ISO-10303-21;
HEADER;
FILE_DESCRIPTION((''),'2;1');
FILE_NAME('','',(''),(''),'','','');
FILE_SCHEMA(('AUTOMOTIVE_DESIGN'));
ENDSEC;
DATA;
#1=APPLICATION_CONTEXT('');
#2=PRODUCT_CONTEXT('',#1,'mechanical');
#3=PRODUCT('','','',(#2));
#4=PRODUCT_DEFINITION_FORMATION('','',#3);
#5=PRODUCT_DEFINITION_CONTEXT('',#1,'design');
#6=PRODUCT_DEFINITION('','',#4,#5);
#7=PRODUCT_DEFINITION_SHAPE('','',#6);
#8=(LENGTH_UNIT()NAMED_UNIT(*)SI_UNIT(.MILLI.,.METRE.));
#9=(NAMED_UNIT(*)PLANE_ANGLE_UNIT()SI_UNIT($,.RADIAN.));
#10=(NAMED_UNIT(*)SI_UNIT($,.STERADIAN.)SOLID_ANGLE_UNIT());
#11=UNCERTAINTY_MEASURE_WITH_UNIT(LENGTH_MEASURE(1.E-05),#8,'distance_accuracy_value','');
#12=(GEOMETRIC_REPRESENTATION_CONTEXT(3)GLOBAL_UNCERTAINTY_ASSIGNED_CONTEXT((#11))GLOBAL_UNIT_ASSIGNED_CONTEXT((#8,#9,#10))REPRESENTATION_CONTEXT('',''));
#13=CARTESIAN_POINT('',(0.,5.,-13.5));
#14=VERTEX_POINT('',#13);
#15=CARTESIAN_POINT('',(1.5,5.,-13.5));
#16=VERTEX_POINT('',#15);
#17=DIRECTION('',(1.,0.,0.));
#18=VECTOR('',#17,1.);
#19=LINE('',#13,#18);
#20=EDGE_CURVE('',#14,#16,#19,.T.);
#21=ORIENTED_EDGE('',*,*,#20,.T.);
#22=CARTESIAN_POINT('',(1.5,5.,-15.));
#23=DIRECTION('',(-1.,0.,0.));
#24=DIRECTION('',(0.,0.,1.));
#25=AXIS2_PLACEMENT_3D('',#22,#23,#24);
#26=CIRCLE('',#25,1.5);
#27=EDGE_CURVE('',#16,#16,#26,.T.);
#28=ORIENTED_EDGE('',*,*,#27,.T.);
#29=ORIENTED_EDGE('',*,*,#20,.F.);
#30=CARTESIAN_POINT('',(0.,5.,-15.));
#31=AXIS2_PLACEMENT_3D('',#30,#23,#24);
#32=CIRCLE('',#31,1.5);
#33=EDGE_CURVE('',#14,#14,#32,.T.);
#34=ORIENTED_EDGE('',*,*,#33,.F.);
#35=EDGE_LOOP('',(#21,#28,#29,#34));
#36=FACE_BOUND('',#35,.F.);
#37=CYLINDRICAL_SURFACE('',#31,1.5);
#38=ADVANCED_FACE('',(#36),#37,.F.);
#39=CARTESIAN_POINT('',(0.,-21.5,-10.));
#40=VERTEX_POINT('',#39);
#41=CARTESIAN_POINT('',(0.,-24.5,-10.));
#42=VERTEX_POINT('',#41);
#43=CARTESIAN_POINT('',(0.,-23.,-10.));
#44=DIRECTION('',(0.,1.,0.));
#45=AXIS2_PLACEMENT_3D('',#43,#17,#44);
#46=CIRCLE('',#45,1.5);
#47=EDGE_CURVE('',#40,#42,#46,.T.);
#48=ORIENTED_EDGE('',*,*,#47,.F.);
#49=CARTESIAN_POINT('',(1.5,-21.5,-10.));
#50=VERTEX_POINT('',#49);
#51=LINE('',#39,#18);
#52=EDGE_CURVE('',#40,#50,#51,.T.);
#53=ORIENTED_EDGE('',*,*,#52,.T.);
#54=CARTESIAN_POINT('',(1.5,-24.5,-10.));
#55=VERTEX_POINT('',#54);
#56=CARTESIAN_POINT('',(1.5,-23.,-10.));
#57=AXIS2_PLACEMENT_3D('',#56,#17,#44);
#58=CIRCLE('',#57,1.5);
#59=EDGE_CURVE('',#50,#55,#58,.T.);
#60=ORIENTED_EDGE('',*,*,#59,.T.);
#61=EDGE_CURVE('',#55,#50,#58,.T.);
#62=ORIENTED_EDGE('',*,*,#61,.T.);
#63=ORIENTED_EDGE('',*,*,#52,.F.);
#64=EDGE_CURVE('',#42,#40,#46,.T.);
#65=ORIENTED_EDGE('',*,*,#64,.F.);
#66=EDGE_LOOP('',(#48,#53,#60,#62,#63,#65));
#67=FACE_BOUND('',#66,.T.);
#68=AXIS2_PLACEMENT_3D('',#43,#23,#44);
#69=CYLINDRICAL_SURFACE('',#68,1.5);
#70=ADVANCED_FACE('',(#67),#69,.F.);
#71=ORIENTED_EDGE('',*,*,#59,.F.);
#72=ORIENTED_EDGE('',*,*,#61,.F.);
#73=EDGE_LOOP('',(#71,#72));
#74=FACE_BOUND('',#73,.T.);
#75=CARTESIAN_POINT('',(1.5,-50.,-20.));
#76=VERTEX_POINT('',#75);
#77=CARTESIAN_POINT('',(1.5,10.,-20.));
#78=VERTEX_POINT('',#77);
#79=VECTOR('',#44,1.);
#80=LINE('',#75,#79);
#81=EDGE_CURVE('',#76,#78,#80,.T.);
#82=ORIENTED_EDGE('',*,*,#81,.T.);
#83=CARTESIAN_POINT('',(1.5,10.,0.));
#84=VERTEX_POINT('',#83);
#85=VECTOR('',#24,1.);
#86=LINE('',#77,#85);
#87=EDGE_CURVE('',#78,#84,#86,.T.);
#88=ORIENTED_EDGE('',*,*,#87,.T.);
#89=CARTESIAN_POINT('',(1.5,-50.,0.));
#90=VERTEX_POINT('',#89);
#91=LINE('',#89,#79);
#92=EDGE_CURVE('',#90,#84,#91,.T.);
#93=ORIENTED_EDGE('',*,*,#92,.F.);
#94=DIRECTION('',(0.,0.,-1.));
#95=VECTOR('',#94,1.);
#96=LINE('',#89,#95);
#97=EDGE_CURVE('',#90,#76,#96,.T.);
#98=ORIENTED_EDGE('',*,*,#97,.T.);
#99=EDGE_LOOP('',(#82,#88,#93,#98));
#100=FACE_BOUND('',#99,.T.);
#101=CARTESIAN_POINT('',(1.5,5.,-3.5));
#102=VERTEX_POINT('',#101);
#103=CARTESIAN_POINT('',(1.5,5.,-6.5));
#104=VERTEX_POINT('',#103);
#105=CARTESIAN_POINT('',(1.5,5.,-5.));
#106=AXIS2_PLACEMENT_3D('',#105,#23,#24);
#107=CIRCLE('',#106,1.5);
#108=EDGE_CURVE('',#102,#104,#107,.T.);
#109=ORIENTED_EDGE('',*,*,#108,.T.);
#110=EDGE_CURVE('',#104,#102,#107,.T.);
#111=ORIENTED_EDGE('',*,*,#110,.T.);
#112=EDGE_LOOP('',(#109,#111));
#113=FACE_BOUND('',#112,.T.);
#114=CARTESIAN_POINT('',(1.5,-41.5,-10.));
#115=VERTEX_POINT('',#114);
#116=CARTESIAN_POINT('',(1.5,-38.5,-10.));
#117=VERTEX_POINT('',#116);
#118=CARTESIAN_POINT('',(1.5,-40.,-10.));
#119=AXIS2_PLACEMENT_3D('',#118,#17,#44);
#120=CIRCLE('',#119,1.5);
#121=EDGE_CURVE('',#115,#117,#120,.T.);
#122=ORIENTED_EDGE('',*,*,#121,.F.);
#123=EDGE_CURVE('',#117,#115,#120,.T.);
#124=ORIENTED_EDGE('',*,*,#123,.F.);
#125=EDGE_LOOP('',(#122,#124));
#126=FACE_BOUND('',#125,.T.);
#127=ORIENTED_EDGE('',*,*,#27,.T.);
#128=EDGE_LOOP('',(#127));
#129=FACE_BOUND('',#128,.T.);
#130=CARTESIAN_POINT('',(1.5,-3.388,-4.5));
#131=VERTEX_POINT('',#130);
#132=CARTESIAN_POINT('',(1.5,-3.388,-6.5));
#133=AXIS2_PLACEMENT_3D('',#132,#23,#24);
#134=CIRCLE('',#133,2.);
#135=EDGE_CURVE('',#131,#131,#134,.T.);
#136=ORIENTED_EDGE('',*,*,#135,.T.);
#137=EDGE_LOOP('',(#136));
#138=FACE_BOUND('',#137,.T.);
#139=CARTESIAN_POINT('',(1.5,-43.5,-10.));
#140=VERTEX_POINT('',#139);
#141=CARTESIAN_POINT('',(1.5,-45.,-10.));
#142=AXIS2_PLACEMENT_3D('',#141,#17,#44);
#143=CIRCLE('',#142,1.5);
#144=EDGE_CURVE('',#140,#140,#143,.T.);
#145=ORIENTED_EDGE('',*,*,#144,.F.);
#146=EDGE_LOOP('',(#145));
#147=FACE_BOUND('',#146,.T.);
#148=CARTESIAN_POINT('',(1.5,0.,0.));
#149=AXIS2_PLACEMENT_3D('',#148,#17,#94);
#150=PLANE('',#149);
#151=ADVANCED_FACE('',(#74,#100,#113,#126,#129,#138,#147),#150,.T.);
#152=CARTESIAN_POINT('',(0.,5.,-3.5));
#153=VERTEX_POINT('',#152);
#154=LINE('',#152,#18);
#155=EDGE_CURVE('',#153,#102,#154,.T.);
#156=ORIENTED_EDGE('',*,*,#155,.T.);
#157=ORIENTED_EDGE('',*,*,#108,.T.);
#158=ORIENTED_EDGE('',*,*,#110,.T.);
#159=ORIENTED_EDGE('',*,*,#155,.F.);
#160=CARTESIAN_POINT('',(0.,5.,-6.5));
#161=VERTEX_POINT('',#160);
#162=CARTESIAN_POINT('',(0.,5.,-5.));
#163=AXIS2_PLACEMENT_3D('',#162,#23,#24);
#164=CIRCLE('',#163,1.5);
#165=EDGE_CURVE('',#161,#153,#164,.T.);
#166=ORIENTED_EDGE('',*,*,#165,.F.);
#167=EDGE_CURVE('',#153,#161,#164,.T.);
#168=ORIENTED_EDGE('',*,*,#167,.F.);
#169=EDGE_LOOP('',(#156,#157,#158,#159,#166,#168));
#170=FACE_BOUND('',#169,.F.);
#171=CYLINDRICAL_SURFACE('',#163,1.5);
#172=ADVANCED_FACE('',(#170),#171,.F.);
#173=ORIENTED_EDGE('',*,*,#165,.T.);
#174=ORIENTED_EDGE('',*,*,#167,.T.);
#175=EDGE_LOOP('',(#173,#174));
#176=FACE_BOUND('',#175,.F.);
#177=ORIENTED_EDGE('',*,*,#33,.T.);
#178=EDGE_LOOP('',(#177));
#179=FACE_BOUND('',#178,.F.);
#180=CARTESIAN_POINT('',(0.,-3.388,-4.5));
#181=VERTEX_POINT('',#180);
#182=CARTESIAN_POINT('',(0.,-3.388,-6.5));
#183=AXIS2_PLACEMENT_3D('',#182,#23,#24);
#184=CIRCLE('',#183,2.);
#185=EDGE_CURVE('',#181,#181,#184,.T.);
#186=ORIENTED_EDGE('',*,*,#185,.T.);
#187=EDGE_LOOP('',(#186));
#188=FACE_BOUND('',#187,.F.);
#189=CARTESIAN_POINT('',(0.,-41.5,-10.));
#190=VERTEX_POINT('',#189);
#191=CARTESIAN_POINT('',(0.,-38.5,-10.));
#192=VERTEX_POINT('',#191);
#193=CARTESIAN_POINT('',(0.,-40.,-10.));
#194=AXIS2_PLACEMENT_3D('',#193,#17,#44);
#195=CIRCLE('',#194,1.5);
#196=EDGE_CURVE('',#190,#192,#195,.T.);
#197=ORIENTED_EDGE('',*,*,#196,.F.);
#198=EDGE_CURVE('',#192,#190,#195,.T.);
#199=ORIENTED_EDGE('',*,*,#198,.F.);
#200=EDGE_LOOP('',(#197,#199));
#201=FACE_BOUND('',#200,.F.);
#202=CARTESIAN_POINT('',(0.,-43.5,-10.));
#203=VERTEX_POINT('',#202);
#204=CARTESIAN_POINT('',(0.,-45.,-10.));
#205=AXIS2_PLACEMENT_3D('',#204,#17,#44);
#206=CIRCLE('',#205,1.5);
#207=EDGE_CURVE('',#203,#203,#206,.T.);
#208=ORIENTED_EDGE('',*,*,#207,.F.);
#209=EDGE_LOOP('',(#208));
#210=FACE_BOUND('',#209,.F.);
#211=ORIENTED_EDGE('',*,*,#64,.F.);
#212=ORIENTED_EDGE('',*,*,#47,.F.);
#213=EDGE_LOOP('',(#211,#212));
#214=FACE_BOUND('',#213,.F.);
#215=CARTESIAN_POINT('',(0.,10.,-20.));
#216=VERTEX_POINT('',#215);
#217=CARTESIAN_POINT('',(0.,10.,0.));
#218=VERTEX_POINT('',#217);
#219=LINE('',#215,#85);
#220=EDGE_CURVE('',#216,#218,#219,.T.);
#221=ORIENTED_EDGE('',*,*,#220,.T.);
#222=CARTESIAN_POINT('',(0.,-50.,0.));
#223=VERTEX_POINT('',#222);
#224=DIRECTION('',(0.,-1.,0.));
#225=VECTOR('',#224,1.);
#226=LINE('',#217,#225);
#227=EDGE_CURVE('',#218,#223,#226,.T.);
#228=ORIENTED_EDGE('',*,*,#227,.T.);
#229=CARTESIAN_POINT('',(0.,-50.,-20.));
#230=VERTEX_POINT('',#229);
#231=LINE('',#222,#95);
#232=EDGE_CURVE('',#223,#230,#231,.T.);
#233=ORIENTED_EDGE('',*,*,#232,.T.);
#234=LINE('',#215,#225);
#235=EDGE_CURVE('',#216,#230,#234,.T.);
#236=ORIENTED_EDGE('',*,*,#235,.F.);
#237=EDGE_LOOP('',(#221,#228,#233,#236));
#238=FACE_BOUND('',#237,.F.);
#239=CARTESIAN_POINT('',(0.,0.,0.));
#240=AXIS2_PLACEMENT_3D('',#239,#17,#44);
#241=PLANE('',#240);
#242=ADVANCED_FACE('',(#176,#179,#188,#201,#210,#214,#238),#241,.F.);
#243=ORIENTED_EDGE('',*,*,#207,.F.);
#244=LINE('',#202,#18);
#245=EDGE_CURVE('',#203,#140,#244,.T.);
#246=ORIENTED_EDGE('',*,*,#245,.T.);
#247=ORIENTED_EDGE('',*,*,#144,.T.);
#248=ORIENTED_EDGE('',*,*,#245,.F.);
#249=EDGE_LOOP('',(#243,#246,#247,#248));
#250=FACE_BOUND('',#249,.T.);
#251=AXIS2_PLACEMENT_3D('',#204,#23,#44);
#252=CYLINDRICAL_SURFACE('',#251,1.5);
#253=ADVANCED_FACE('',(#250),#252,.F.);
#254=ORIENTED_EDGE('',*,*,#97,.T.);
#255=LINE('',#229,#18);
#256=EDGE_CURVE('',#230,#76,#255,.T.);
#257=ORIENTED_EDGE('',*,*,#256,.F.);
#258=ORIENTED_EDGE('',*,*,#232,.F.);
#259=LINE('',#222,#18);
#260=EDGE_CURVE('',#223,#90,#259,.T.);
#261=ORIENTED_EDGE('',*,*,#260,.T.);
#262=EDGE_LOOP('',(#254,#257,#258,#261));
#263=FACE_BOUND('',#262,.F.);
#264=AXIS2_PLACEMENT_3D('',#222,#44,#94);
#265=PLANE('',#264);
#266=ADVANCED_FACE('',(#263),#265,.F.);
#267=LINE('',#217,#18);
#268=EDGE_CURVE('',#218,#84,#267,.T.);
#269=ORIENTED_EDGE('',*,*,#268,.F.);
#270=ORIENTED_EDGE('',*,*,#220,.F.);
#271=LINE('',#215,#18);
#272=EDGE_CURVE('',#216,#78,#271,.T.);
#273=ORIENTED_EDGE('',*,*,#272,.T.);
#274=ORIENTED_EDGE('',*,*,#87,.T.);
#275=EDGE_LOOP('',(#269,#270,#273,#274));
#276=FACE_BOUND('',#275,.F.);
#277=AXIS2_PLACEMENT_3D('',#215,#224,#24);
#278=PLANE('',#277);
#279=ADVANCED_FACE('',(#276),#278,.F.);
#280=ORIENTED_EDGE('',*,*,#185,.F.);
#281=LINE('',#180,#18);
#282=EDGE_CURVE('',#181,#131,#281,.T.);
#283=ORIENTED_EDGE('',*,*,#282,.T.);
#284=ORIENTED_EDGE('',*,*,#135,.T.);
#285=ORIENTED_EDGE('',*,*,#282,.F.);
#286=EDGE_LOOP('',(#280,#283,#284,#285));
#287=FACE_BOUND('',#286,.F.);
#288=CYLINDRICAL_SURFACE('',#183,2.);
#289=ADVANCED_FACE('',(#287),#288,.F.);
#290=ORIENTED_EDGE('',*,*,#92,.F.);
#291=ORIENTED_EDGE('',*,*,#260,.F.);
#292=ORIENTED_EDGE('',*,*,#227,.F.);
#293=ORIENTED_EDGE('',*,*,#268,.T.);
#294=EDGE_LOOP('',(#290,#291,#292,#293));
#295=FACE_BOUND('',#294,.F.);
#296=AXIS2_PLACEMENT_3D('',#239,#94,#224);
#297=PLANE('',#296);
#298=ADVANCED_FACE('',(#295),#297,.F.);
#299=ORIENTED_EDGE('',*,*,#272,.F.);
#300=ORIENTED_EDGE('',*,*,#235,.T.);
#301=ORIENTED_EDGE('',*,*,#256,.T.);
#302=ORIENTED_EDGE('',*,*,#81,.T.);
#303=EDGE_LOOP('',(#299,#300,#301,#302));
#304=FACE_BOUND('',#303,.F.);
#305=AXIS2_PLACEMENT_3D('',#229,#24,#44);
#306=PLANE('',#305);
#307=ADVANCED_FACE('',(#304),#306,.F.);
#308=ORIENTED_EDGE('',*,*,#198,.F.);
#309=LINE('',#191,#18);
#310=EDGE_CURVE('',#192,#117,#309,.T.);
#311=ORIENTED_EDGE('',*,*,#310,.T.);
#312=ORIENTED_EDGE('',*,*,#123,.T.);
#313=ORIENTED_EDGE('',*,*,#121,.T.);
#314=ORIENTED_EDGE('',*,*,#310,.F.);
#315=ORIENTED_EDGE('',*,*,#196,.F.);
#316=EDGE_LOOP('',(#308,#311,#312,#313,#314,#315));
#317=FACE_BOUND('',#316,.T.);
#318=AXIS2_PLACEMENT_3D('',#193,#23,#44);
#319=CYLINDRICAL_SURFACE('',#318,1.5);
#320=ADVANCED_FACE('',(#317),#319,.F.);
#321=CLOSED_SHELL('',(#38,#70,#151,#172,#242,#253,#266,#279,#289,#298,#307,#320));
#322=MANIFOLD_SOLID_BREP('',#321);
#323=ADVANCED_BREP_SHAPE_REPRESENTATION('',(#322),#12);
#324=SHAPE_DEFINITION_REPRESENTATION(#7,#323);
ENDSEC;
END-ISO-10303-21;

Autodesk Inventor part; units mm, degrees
ref_plane "YZ Plane" through (0, 0, 0) normal (1, 0, 0) x (0, 1, 0)
ref_plane "XZ Plane" through (0, 0, 0) normal (0, 1, 0) x (-1, 0, 0)
ref_plane "XY Plane" through (0, 0, 0) normal (0, 0, 1) x (1, 0, 0)
sketch "Sketch1" plane through (0, 0, 0) normal (1, 0, 0) x (0, 1, 0)
  line L0 (0, 0) -> (-50, 0)
  line L1 (-50, 0) -> (-50, -20)
  line L2 (-50, -20) -> (0, -20)
  line L3 (0, -20) -> (0, 0)
  line L4 (0, 0) -> (0, -10)
  line L5 (0, -10) -> (-10, -10)
  line L6 (-10, -10) -> (-23, -10)
  line L7 (-23, -10) -> (-40, -10)
  line L8 (-40, -10) -> (-45, -10)
  circle A0 centre (-10, -10) radius 1.5
  circle A1 centre (-23, -10) radius 1.5
  circle A2 centre (-40, -10) radius 1.5
  circle A3 centre (-45, -10) radius 1.5
  dimension "d0" = 50
  dimension "d1" = 20
  dimension "d2" = 10
  dimension "d3" = 10
  dimension "d4" = 13
  dimension "d5" = 17
  dimension "d7" = 5
  dimension "d8" = 3
  dimension "d9" = 3
  dimension "d10" = 3
  dimension "d11" = 3
extrude "Extrusion1" add sketch "Sketch1" along normal blind 1.5
sketch "Sketch2" plane through (0, 0, 0) normal (-1, 0, 0) x (0, 0, 1)
  line L0 (-20, 0) -> (0, 0) projected
  line L1 (0, 0) -> (-20, 0)
  line L2 (-20, 0) -> (-20, 10)
  line L3 (-20, 10) -> (0, 10)
  line L4 (0, 10) -> (0, 0)
  circle A0 centre (-10, -10) radius 1.5 projected
  line L5 (-10, -10) -> (-10, 5)
  line L6 (-10, 5) -> (-5, 5)
  line L7 (-5, 5) -> (-15, 5)
  circle A1 centre (-5, 5) radius 1.5
  circle A2 centre (-15, 5) radius 1.5
  dimension "d14" = 10
  dimension "d15" = 20
  dimension "d16" = 15
  dimension "d17" = 5
  dimension "d18" = 10
  dimension "d19" = 3
  dimension "d20" = 3
extrude "Extrusion2" add sketch "Sketch2" against normal blind 1.5 contours L2 L3 L4 L0
sketch "Sketch3" plane through (1.5, 0, 0) normal (1, 0, 0) x (0, 0, -1)
  circle A0 centre (10, -10) radius 1.5 projected
  circle A1 centre (10, -10) radius 1.5
  point P0 (0, 0)
extrude "Extrusion3" add sketch "Sketch3" against normal blind 1.5
sketch "Sketch5" plane through (0, 0, 0) normal (-1, 0, 0) x (0, 0, 1)
  line L0 (0, 10) -> (0, -50) projected
  line L1 (0, 10) -> (0, -3.388)
  line L2 (0, -3.388) -> (-6.5, -3.388)
  circle A0 centre (-6.5, -3.388) radius 2
  point P0 (0, 0)
  dimension "d30" = 13.388
  dimension "d31" = 6.5
  dimension "d32" = 4
extrude "Extrusion5" cut sketch "Sketch5" against normal blind 1.5
properties part number "plateLocker"
